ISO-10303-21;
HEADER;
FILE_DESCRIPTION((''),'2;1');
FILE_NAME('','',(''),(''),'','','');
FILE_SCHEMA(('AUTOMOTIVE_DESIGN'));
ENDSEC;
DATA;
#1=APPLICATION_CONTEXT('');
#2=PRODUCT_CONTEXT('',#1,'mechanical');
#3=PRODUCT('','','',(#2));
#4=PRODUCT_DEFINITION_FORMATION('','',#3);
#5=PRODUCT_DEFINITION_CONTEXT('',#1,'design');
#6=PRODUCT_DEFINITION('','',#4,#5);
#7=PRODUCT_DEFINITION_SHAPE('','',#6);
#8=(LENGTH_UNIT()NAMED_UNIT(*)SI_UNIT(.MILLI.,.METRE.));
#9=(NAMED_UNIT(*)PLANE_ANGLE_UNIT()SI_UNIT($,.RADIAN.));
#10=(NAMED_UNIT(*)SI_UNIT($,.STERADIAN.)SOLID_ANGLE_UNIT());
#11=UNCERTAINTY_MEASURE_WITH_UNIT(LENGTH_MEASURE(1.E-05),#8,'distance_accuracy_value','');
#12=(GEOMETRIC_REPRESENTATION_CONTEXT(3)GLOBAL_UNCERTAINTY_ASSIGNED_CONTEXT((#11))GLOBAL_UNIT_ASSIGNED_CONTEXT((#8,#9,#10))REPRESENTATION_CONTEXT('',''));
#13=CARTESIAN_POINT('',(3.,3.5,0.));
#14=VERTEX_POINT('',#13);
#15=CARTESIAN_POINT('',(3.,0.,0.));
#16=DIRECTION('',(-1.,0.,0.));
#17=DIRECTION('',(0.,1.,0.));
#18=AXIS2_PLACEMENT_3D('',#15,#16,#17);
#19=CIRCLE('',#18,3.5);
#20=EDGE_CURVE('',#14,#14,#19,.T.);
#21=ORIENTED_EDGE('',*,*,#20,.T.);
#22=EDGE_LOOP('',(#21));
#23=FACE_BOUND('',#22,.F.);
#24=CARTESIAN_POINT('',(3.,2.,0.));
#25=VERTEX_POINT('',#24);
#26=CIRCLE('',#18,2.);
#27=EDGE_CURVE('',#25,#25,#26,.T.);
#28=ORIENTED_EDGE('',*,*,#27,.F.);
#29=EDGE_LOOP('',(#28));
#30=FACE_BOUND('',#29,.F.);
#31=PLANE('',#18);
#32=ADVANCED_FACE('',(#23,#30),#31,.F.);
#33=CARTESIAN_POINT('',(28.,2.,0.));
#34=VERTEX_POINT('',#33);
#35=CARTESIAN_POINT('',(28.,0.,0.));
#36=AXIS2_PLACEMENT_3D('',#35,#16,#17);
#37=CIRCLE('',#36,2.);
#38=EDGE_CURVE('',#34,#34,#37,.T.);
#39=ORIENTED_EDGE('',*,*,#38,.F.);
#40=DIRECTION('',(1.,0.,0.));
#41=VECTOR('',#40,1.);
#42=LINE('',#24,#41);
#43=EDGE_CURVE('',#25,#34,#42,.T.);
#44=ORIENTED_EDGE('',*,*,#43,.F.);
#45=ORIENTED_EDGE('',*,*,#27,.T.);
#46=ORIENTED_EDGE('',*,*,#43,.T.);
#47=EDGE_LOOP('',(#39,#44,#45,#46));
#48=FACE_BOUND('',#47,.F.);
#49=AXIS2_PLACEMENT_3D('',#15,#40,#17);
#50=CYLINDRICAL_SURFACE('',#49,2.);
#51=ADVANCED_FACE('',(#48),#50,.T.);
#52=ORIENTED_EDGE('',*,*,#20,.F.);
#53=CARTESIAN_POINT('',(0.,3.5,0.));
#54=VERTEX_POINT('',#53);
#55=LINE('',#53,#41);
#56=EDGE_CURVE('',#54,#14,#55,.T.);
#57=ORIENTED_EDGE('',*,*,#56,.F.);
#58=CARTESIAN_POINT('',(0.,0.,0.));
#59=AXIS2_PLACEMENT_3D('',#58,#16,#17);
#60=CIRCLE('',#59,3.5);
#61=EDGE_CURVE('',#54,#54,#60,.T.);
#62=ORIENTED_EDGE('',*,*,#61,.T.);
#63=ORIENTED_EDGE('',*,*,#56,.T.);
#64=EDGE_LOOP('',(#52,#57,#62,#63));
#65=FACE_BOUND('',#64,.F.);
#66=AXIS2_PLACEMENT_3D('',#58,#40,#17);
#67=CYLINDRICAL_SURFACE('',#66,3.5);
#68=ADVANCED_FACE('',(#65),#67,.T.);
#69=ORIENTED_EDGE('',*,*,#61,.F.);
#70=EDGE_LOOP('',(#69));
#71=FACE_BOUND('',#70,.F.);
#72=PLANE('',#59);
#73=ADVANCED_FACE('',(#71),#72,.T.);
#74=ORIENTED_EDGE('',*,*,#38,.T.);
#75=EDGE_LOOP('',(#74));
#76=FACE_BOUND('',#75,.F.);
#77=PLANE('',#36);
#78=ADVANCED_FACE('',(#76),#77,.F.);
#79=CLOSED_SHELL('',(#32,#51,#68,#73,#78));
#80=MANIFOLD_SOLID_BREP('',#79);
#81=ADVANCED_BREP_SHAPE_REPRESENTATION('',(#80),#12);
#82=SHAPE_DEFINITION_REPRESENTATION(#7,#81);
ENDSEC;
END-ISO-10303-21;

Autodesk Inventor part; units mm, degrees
ref_plane "YZ Plane" through (0, 0, 0) normal (1, 0, 0) x (0, 1, 0)
ref_plane "XZ Plane" through (0, 0, 0) normal (0, 1, 0) x (-1, 0, 0)
ref_plane "XY Plane" through (0, 0, 0) normal (0, 0, 1) x (1, 0, 0)
sketch "スケッチ1" plane through (0, 0, 0) normal (0, 0, 1) x (1, 0, 0)
  line L0 (0, 0) -> (0, 3.5)
  line L1 (0, 3.5) -> (3, 3.5)
  line L2 (3, 3.5) -> (3, 2)
  line L3 (3, 2) -> (28, 2)
  line L4 (28, 2) -> (28, 0)
  line L5 (28, 0) -> (0, 0)
  dimension "d0" = 25
  dimension "d1" = 2
  dimension "d2" = 3.5
  dimension "d3" = 3
revolve "回転1" add sketch "スケッチ1" angle 360 about axis through (28, 0, 0) along (-1, 0, 0)
properties part number "Parts_Bolt_M4_L25" material "鋼"
